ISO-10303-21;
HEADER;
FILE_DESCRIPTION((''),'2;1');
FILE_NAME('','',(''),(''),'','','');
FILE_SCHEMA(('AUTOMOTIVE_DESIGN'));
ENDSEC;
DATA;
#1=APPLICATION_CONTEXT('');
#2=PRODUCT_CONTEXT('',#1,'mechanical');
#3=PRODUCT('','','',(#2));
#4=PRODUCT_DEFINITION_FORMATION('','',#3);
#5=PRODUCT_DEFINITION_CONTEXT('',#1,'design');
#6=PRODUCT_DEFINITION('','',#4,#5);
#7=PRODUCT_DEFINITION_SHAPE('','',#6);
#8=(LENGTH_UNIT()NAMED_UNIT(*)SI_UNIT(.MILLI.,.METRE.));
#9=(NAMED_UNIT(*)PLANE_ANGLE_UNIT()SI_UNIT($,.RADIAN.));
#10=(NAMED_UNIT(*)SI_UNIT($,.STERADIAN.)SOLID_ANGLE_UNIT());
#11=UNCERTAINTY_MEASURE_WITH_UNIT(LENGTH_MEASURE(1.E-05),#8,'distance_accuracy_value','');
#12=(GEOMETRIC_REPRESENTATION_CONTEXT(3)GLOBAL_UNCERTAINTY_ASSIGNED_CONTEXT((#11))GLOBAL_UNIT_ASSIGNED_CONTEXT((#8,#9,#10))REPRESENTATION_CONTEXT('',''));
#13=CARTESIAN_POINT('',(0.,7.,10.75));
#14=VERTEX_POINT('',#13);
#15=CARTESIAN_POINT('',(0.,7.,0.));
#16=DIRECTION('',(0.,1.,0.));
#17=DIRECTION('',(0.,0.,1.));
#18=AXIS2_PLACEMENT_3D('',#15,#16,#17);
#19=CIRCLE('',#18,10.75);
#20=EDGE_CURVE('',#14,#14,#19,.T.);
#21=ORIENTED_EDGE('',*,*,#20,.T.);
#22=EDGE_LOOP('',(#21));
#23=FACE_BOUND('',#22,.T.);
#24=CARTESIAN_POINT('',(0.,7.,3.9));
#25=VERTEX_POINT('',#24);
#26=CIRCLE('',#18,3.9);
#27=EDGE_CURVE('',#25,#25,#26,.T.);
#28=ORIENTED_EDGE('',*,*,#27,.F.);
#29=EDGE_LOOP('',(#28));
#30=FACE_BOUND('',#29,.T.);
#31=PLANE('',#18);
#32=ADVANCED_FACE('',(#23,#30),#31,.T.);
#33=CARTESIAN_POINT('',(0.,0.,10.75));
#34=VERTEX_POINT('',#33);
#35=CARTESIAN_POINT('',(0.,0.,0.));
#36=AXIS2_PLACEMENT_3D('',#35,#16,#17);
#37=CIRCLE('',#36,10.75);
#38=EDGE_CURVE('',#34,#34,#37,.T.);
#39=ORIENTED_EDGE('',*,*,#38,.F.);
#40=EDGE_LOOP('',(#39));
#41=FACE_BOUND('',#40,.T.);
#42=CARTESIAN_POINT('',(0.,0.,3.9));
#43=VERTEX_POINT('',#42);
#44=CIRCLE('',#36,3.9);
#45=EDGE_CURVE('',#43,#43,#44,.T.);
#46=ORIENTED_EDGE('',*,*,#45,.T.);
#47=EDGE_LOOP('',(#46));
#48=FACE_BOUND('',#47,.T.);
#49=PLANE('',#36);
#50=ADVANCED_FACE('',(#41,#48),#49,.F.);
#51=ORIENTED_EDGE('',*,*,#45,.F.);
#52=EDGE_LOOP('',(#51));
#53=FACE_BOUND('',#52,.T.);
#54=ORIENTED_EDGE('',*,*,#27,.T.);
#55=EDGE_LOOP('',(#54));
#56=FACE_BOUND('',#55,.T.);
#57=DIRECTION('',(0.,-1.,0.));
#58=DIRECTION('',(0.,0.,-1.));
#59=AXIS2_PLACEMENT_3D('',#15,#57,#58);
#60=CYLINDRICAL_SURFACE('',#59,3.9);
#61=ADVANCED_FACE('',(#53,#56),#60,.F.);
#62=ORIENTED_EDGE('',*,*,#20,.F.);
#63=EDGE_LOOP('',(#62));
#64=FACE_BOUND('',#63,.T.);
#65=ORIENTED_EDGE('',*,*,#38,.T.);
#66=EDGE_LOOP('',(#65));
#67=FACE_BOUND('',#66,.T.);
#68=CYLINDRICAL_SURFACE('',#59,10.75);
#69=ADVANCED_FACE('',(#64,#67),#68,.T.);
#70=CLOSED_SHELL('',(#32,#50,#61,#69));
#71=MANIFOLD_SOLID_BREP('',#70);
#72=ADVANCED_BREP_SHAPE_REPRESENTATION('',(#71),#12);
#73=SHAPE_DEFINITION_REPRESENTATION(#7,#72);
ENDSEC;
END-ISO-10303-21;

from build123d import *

# Parameters (mm, degrees)
SKETCH1_R           = 10.75
SKETCH1_R_2         = 3.9
BOSS_EXTRUDE1_DEPTH = 7


with BuildPart() as part:
    # Sketch1 → Boss-Extrude1 (new body)
    with BuildSketch(Plane(origin=(0, 0, 0), x_dir=(1, 0, 0), z_dir=(0, 1, 0))):
        Circle(SKETCH1_R)
        Circle(SKETCH1_R_2, mode=Mode.SUBTRACT)
    extrude(amount=BOSS_EXTRUDE1_DEPTH)


solid = part.part
